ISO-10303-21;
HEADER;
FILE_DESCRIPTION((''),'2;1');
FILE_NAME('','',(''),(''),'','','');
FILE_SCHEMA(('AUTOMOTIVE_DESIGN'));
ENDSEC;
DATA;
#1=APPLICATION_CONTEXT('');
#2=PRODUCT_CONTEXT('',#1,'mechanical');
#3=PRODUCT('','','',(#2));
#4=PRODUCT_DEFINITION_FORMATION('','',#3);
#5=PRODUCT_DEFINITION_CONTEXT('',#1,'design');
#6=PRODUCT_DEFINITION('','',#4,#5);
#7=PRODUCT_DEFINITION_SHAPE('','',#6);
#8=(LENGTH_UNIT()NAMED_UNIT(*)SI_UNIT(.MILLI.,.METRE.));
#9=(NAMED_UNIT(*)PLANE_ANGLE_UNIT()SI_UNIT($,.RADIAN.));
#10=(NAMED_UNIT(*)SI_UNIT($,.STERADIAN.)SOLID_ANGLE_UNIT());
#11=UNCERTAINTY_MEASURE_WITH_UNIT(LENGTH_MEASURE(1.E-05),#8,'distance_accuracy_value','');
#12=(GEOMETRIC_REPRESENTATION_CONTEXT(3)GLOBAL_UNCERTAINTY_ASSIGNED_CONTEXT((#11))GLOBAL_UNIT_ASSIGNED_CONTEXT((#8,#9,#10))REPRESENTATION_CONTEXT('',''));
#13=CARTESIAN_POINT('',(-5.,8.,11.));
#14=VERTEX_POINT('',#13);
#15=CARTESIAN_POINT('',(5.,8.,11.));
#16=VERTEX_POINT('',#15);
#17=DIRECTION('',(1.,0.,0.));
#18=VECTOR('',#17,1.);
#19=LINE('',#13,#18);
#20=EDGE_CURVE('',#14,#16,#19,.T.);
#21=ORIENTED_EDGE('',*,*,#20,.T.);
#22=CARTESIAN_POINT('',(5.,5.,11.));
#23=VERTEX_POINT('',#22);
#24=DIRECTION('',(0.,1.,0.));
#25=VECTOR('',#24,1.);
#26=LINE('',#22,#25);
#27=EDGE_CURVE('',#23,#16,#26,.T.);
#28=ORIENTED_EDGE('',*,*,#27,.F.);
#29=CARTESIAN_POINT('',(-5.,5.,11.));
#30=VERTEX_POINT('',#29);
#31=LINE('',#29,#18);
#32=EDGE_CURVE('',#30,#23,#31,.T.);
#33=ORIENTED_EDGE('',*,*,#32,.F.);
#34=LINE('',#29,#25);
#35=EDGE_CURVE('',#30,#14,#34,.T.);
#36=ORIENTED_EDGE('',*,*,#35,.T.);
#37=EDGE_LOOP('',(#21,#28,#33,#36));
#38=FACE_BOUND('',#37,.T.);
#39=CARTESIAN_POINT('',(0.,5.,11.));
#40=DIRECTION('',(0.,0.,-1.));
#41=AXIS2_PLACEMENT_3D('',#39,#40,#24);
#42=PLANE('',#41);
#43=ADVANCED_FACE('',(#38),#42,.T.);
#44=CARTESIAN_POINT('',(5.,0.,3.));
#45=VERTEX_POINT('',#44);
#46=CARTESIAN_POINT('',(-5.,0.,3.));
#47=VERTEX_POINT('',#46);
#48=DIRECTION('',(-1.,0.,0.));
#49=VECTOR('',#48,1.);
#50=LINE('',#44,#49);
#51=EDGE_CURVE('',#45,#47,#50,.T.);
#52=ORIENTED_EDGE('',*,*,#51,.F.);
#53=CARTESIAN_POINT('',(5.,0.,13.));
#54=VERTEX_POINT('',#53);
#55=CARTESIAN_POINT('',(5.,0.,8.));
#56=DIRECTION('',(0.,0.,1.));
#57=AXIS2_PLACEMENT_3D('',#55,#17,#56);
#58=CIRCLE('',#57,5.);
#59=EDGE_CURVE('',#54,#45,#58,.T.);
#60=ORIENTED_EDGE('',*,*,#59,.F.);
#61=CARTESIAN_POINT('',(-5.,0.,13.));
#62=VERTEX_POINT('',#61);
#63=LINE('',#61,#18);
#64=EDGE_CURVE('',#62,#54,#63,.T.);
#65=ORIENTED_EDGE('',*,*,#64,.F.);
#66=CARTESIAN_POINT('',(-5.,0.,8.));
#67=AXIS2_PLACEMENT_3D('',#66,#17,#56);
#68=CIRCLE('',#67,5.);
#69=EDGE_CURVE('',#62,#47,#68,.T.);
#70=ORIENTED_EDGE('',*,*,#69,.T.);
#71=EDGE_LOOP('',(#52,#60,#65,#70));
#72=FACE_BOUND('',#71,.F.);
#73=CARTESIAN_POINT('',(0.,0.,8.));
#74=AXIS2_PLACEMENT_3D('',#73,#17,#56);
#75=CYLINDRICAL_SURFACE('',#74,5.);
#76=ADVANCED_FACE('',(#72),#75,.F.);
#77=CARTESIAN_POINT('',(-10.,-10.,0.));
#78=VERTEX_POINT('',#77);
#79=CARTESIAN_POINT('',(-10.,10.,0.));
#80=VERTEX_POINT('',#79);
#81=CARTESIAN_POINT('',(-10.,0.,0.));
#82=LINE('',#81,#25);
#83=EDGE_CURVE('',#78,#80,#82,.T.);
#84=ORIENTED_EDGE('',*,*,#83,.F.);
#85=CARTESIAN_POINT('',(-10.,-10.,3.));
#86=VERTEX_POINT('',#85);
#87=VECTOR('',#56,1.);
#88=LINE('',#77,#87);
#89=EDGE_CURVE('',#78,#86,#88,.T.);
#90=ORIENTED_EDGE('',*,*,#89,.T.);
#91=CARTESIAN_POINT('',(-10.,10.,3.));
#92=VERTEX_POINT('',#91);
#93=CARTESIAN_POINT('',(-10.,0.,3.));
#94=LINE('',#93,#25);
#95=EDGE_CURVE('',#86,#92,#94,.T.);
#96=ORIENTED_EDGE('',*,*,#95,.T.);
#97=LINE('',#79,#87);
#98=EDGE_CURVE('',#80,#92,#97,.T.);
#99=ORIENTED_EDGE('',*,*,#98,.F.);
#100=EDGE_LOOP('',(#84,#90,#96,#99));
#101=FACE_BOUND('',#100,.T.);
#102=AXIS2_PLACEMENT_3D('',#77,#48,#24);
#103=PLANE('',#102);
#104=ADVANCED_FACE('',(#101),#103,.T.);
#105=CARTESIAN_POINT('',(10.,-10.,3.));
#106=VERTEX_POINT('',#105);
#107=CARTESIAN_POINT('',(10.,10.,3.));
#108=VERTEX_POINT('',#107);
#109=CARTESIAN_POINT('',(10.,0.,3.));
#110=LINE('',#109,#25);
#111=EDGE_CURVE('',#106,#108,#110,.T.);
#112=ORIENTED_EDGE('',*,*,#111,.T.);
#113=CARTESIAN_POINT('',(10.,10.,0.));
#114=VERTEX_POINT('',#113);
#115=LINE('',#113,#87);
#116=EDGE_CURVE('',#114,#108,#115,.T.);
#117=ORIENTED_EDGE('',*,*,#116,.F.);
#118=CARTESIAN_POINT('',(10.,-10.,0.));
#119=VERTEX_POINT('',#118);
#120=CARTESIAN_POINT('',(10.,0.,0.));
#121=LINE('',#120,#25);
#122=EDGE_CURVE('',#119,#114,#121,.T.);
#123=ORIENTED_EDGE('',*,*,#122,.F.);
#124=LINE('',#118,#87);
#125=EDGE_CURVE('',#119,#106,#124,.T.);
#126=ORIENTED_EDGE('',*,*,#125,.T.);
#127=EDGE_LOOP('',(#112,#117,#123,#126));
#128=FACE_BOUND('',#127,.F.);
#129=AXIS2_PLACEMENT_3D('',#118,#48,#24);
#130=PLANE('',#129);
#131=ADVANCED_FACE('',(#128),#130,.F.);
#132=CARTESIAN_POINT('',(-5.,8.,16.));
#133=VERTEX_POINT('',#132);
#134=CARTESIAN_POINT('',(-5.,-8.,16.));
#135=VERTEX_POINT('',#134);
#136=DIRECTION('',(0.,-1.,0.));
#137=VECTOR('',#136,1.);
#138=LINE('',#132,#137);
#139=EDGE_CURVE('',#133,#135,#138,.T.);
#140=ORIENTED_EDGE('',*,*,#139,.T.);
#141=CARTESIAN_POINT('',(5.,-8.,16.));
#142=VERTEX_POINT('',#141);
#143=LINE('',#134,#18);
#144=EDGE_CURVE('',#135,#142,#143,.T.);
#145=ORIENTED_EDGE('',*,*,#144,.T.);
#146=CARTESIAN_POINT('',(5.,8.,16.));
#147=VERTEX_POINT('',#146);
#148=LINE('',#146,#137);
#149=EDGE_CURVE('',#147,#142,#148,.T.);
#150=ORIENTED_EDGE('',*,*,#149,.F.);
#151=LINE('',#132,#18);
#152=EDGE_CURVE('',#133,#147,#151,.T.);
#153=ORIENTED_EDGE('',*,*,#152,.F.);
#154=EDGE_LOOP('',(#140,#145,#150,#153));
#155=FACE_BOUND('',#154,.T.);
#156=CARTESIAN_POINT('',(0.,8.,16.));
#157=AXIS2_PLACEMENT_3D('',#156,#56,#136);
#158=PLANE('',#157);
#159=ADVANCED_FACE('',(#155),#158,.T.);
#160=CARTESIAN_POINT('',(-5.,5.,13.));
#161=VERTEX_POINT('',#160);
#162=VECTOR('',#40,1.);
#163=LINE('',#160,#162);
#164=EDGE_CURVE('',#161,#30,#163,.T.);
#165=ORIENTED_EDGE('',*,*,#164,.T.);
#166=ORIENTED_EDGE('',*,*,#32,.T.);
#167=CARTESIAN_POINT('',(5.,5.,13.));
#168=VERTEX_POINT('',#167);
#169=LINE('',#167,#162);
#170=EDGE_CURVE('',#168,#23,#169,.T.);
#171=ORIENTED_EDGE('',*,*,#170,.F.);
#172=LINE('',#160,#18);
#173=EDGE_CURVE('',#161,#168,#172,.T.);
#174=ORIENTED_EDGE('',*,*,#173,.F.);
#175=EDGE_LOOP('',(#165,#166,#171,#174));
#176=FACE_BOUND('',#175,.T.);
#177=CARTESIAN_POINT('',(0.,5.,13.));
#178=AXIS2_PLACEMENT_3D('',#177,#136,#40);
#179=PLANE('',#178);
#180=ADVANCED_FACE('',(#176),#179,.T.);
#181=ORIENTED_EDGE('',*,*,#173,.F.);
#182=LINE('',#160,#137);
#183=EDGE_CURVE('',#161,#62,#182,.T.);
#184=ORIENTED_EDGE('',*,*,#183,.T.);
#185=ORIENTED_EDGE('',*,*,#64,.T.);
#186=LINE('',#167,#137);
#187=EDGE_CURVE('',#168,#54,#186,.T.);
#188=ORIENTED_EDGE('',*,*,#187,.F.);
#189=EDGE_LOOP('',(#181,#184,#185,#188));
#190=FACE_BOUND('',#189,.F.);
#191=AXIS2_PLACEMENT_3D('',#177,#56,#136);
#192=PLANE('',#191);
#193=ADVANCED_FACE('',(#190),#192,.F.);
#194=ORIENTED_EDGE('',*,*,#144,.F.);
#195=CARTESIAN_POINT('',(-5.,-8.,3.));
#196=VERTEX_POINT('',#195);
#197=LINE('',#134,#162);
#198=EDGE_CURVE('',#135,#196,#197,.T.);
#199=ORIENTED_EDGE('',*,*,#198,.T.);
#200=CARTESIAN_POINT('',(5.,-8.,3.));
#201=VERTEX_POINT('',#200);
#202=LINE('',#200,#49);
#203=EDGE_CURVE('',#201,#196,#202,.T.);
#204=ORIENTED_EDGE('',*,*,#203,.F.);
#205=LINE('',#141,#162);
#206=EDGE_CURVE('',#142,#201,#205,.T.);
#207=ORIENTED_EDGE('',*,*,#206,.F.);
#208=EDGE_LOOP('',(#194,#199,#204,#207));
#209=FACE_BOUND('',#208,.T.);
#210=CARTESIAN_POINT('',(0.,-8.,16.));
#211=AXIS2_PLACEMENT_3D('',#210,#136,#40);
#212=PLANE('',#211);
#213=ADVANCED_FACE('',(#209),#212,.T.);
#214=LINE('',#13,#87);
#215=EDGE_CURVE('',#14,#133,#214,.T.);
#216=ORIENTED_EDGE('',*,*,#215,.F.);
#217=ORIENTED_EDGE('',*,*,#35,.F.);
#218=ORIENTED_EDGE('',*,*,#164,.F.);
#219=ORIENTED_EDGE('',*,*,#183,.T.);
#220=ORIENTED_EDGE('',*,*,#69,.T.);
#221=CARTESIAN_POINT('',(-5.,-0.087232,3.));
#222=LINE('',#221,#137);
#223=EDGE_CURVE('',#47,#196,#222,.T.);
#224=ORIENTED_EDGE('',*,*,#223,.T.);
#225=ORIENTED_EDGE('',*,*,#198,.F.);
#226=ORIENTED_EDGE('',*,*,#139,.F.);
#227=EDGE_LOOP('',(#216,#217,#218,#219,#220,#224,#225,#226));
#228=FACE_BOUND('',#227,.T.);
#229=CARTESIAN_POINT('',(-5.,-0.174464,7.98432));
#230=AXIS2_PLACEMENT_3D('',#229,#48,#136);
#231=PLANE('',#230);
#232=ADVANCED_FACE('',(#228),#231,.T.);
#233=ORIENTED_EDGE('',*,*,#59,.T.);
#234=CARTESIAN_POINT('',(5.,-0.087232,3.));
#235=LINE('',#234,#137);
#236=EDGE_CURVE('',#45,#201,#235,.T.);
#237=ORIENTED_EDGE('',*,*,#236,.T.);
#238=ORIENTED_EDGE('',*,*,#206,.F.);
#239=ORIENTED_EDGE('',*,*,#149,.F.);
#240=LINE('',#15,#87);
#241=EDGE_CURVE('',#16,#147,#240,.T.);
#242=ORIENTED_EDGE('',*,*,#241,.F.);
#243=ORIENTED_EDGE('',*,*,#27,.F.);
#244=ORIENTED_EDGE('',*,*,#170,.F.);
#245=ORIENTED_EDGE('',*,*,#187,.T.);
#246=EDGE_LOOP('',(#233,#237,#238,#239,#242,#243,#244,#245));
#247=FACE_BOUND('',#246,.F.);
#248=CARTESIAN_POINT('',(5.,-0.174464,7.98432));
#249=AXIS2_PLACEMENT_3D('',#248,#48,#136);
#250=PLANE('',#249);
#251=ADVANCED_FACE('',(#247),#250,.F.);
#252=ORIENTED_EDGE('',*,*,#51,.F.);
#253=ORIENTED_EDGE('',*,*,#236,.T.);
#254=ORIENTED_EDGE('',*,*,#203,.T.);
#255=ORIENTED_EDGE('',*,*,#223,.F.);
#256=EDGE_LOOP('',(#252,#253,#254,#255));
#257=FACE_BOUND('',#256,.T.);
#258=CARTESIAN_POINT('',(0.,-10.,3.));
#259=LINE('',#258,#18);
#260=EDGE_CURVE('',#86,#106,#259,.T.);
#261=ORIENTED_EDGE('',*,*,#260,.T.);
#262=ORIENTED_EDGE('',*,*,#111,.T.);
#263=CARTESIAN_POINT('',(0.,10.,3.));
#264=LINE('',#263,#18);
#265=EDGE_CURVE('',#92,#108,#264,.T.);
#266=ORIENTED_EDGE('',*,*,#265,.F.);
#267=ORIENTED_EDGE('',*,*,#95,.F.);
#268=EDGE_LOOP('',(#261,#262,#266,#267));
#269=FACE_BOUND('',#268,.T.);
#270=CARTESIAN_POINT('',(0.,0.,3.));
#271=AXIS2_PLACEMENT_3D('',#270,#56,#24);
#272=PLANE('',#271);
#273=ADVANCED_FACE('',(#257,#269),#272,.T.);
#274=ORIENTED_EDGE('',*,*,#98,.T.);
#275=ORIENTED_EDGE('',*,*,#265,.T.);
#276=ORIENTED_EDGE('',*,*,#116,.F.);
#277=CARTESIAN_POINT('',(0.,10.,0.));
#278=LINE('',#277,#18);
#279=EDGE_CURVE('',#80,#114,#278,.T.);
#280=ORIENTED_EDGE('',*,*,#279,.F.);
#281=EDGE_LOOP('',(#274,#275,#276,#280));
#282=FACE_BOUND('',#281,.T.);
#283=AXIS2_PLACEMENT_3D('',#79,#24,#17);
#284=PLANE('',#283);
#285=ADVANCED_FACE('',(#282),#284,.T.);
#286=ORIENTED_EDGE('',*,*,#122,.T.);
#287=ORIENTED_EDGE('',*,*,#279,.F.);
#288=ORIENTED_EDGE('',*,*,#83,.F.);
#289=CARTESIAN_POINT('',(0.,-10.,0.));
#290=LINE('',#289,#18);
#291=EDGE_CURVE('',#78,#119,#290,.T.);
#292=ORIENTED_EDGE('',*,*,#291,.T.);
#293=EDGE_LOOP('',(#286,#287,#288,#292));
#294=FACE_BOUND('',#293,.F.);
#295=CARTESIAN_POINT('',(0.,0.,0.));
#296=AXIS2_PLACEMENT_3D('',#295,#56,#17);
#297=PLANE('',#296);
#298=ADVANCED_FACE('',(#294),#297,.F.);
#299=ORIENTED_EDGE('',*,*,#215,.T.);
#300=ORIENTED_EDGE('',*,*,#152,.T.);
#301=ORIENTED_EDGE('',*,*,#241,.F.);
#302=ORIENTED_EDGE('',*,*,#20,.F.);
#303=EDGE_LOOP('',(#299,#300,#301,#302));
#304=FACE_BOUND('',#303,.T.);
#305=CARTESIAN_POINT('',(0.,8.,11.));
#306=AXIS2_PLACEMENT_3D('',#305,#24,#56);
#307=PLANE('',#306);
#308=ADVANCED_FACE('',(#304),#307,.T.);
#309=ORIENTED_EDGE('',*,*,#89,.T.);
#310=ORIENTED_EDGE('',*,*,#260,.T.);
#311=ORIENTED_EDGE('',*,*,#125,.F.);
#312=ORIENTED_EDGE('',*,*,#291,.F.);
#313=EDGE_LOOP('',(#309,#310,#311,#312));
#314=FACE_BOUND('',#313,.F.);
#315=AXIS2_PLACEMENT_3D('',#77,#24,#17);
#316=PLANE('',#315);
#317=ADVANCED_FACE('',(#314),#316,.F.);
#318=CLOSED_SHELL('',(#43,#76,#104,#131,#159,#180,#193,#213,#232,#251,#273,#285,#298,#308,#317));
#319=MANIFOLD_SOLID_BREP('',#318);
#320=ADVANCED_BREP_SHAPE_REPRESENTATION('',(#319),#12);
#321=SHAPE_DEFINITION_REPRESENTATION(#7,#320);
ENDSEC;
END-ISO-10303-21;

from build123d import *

# Parameters (mm, degrees)
SKETCH_W          = 20
SKETCH_H          = 20
PAD_DEPTH         = 3
PAD001_DEPTH      = 5
PAD001_DEPTH_BACK = 5


with BuildPart() as part:
    # Sketch → Pad (new body)
    with BuildSketch(Plane.XY):
        Rectangle(SKETCH_W, SKETCH_H)
    extrude(amount=PAD_DEPTH)

    # Sketch001 → Pad001 (join, two sides)
    with BuildSketch(Plane.YZ) as pad001_sk:
        with BuildLine():
            ThreePointArc((0, 13), (-5, 8), (0, 3))
            Line((0, 3), (8.878697, 3))
            Line((8.878697, 0), (8.878697, 3))
            Line((-8, 0), (8.878697, 0))
            Line((-8, 16), (-8, 0))
            Line((8, 16), (-8, 16))
            Line((8, 11), (8, 16))
            Line((5, 11), (8, 11))
            Line((5, 13), (5, 11))
            Line((5, 13), (0, 13))
        make_face()
    extrude(amount=PAD001_DEPTH)
    extrude(pad001_sk.sketch, amount=-PAD001_DEPTH_BACK)


solid = part.part
